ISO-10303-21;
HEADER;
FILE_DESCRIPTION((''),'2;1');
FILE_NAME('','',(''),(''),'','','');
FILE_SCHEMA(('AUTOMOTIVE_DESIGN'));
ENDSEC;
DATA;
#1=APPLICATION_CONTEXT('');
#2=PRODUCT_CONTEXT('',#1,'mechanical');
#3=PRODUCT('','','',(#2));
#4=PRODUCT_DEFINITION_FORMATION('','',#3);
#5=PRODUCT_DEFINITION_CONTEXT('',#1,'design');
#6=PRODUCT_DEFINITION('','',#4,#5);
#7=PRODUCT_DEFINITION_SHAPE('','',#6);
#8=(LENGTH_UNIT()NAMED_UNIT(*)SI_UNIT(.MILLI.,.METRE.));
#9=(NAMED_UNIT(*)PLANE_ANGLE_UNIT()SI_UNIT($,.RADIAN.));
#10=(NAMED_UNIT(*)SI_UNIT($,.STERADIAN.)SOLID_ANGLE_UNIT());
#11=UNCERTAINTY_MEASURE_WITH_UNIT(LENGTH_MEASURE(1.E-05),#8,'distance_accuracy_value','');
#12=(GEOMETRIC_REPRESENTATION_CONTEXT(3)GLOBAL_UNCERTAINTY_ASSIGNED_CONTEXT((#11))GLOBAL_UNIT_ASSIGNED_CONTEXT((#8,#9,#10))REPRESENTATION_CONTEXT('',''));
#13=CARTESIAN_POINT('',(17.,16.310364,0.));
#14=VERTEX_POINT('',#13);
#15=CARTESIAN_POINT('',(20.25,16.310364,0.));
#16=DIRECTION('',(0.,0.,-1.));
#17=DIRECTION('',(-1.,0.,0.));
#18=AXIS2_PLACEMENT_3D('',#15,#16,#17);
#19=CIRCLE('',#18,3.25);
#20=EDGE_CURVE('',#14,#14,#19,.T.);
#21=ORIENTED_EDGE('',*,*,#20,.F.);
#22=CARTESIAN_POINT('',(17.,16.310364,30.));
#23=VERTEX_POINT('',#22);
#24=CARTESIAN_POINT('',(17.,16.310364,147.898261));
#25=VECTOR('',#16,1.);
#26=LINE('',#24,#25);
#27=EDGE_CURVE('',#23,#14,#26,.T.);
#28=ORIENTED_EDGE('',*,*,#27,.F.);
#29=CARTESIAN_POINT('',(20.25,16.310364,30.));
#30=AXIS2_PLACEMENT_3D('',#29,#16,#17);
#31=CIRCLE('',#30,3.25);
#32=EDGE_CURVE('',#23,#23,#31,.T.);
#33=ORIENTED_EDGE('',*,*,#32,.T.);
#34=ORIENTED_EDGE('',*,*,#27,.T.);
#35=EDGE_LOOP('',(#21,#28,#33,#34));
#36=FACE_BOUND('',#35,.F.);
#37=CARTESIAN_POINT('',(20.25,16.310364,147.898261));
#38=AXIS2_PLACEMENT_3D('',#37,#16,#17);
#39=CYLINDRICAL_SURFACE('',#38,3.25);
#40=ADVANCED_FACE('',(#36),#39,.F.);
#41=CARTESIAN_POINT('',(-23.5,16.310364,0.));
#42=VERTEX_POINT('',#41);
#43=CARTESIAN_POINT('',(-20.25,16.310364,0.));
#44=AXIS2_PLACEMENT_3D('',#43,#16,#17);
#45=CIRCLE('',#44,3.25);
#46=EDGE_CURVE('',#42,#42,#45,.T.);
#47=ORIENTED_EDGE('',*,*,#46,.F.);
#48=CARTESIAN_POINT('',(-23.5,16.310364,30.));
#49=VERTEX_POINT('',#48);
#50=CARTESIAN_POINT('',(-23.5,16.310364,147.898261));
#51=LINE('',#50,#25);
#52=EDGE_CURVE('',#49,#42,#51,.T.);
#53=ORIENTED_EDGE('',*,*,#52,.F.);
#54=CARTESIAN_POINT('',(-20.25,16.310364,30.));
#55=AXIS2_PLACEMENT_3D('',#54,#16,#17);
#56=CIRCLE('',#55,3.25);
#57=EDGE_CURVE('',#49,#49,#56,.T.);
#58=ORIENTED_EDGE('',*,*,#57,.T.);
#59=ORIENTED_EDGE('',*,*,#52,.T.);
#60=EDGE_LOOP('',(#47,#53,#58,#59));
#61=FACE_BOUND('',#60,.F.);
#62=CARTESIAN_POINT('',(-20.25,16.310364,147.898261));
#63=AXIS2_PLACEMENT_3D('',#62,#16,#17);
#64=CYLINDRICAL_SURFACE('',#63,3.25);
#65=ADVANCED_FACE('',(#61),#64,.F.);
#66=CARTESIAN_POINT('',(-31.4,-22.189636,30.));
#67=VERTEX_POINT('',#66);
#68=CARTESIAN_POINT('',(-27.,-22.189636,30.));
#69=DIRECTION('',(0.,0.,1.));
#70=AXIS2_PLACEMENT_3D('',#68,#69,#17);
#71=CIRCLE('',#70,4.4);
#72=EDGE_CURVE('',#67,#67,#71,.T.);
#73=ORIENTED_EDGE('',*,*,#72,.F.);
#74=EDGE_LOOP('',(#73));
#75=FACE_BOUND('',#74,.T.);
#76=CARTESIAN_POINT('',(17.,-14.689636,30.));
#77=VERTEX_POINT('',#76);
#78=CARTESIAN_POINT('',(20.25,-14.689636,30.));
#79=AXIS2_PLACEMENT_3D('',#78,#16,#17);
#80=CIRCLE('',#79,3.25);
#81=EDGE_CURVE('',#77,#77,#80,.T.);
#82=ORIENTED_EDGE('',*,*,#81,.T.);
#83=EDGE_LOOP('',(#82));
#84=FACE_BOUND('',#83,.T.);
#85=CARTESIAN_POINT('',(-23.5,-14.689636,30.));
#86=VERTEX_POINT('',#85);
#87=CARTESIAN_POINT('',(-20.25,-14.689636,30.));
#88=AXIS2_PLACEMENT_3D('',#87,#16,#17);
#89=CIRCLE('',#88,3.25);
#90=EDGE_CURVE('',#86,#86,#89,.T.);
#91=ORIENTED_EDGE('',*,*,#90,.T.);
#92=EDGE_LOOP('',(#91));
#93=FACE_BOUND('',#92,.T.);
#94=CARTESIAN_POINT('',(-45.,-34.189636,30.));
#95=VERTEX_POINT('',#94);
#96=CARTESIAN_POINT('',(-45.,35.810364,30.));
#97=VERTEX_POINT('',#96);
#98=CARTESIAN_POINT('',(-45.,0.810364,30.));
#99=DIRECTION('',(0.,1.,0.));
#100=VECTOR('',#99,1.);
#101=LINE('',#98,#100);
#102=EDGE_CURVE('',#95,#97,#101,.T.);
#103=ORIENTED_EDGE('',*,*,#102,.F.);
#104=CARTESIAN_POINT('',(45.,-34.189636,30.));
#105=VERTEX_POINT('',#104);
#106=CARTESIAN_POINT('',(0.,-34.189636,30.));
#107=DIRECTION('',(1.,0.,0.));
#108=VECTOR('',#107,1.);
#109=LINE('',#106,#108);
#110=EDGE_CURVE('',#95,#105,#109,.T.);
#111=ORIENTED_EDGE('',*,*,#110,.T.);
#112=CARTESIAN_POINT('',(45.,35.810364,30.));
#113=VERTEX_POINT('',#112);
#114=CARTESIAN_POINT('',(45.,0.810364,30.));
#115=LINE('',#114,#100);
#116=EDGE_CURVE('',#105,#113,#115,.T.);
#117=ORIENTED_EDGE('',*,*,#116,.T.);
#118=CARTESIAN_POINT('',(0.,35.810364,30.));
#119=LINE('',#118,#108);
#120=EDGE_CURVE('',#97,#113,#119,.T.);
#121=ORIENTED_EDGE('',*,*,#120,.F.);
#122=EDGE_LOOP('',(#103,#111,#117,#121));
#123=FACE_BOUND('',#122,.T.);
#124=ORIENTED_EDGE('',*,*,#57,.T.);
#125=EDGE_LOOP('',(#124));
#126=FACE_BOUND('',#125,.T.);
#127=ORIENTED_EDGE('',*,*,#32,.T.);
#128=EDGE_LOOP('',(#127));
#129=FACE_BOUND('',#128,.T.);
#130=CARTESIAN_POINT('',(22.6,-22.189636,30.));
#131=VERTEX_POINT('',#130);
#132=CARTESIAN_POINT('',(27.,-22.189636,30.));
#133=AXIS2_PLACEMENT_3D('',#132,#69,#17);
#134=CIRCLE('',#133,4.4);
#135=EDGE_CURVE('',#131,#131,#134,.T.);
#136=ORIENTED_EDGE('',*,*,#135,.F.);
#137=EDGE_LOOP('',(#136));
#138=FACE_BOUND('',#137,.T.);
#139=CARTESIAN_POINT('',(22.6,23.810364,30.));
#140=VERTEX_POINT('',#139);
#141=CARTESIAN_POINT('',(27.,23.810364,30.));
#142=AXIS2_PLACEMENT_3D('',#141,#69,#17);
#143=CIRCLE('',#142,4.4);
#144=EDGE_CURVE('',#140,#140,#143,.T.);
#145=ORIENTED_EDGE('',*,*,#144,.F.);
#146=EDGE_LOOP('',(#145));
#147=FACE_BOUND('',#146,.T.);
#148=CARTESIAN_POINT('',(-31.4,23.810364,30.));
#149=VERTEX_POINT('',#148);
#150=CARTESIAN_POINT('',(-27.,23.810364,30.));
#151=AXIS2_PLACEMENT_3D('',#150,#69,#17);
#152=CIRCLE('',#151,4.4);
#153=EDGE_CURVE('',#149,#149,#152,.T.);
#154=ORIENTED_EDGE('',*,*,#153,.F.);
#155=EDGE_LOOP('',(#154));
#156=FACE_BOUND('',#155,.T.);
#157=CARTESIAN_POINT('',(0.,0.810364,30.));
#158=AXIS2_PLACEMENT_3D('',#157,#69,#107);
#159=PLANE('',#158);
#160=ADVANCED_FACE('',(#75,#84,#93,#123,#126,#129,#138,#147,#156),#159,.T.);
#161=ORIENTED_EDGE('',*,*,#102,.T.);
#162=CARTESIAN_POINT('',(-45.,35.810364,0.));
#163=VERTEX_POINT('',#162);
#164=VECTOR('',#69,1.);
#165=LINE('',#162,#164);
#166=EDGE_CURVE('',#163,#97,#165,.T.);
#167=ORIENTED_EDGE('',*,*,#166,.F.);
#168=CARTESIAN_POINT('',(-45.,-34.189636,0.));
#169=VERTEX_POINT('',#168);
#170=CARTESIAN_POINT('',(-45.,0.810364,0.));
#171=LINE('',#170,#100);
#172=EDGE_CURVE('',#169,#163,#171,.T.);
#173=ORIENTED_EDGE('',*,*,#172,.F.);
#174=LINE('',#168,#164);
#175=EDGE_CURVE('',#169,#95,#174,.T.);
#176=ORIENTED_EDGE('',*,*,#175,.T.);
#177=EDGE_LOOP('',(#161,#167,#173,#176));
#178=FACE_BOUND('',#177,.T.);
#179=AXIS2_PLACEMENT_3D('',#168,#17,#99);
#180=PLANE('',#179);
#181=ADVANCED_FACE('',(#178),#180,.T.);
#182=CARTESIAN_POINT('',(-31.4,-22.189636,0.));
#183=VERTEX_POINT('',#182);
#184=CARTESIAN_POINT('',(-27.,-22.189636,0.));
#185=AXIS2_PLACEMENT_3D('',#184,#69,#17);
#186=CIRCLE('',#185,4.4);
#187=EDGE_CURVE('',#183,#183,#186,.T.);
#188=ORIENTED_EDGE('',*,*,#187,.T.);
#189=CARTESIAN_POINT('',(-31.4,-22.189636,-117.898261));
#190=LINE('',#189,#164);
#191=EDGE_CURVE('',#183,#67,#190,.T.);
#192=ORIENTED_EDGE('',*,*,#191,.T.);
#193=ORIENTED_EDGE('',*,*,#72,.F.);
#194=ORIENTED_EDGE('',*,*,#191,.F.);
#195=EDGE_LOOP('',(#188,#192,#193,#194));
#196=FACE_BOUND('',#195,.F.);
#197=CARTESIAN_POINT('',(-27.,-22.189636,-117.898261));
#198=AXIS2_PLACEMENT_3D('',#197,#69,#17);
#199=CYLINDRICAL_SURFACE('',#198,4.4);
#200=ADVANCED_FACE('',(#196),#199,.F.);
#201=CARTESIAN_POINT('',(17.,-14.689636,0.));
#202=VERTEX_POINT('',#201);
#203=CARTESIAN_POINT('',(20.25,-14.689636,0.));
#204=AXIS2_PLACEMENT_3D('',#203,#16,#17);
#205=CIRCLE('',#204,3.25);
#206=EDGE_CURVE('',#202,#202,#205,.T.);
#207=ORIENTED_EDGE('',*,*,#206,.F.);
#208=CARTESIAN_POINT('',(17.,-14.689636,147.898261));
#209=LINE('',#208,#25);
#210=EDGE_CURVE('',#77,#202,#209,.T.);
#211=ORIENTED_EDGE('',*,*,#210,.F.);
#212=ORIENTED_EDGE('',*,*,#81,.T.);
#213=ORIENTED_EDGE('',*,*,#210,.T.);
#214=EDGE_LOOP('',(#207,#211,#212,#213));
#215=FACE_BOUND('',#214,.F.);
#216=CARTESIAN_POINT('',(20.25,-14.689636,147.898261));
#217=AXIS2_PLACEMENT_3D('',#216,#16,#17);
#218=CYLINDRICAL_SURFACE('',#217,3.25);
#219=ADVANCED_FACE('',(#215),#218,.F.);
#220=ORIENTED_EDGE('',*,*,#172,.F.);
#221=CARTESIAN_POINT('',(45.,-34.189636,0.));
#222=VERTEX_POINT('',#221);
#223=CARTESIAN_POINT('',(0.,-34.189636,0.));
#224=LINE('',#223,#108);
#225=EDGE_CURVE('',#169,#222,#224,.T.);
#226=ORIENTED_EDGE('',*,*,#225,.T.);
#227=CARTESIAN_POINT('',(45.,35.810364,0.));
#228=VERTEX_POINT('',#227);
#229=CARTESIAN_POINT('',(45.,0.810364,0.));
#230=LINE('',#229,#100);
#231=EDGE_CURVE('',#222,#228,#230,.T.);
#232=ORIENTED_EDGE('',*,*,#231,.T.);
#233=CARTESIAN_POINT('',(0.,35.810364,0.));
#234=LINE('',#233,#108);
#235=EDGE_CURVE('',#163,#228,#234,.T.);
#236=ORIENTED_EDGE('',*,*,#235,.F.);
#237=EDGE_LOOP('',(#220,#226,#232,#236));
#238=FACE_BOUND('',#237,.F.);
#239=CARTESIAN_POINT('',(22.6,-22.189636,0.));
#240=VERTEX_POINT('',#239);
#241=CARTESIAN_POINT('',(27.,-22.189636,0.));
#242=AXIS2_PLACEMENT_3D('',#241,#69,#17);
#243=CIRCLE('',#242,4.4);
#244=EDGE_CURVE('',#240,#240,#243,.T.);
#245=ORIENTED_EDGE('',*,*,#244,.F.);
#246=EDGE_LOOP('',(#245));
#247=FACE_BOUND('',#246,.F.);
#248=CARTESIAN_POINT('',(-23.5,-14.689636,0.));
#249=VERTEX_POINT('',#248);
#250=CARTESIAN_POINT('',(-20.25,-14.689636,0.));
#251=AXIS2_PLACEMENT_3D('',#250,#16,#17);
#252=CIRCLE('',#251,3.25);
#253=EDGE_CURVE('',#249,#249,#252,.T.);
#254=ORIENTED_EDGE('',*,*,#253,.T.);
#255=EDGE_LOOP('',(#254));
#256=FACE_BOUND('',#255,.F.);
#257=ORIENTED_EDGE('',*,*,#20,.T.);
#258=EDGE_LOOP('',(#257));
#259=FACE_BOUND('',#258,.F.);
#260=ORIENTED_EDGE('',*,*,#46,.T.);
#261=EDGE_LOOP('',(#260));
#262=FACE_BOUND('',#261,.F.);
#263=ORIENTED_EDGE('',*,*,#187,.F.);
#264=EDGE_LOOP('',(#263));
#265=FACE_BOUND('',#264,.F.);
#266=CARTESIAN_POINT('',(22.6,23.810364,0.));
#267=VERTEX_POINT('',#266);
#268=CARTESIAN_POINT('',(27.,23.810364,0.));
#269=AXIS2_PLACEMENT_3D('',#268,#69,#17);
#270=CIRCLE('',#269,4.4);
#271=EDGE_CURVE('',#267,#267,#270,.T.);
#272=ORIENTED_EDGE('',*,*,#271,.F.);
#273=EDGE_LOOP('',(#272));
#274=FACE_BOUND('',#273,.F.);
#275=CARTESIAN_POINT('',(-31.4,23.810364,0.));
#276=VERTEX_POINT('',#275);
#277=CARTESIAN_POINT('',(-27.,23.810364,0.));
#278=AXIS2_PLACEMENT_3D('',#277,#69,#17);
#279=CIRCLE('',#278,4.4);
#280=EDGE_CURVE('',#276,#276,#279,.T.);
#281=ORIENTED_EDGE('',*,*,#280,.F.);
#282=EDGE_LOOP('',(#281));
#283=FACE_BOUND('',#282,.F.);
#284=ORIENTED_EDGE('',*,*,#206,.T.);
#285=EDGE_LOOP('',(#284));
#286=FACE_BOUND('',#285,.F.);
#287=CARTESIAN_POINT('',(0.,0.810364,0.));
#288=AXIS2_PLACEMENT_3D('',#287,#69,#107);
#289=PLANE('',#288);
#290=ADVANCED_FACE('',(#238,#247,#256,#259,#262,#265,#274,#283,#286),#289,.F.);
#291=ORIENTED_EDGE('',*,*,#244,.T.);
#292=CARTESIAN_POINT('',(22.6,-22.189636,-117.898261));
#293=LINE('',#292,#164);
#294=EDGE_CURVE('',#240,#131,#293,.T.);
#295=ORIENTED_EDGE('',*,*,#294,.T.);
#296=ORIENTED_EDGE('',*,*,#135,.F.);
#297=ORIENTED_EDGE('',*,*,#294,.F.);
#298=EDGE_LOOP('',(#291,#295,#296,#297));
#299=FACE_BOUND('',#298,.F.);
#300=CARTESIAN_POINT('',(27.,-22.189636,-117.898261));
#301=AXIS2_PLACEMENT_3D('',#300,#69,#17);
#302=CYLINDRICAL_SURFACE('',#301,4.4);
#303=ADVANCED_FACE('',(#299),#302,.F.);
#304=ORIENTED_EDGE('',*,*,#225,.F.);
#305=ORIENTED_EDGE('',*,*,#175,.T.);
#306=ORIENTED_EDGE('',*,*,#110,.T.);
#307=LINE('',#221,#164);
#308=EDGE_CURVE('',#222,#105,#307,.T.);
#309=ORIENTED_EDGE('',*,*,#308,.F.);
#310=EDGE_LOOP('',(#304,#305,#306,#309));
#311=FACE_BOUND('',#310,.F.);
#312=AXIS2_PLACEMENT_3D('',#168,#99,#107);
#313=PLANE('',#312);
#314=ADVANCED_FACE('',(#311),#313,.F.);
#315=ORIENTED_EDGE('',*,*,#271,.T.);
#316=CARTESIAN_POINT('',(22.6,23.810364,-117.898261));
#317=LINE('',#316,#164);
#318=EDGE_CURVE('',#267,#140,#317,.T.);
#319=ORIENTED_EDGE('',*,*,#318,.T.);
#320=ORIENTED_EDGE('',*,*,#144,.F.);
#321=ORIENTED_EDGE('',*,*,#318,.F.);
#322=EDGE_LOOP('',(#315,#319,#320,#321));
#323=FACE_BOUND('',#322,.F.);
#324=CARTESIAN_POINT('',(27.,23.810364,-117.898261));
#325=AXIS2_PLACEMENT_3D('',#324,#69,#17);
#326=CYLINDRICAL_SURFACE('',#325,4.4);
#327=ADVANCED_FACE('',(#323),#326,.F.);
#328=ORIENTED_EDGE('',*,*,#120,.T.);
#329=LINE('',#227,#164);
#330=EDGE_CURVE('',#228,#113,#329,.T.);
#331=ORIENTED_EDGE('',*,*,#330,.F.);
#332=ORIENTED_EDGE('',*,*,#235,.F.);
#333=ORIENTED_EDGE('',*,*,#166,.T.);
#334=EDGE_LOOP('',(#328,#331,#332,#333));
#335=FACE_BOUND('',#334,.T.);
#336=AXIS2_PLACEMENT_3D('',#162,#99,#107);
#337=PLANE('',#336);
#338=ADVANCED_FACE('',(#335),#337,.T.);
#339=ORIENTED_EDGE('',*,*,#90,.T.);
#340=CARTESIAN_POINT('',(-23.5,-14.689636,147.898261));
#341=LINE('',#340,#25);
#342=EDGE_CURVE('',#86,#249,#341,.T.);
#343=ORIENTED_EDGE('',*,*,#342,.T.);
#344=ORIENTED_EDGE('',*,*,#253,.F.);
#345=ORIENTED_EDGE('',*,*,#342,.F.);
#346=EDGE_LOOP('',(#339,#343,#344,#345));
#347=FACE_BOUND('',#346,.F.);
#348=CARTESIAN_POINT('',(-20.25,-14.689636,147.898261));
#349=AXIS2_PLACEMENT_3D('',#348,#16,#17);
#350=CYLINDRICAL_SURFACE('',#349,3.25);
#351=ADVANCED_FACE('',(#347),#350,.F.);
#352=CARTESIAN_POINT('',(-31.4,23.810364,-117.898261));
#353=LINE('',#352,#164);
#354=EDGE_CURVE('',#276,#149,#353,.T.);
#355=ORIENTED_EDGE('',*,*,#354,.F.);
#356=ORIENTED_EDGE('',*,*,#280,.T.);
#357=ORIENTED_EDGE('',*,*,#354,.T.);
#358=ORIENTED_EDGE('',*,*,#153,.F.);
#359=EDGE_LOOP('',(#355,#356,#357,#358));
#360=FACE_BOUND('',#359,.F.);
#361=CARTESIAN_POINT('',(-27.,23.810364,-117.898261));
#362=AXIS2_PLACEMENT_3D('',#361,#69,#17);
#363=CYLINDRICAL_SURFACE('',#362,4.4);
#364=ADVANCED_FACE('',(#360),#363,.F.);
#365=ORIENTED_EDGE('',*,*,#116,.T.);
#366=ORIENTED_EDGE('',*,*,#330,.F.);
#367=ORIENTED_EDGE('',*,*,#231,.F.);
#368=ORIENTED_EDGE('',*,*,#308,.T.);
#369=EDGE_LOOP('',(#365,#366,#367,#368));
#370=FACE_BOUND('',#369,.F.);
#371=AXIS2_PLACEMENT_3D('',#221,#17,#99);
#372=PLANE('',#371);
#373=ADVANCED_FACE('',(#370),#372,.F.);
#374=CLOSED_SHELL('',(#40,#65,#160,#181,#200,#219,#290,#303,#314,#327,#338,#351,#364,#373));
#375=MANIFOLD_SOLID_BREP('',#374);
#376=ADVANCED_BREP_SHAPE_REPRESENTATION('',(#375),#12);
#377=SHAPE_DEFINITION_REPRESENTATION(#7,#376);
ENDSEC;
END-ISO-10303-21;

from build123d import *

# Parameters (mm, degrees)
F0_W     = 90
F0_H     = 70
F1_DEPTH = 30
F2_D     = 8.8
F4_D     = 6.5


with BuildPart() as f1:
    # F0 (on Top) → F1 (new body)
    with BuildSketch(Plane.XY):
        with Locations((0, 0.8103642613)):
            Rectangle(F0_W, F0_H)
    extrude(amount=F1_DEPTH)

    # F2 (through all)
    with Locations(Plane(origin=(0, 0, 0), x_dir=(1, 0, 0), z_dir=(0, 0, -1))):
        with Locations((-27, -23.8103642613), (-27, 22.1896357387), (27, 22.1896357387), (27, -23.8103642613)):
            Hole(F2_D / 2)

    # F4 (through all)
    with Locations(Plane.XY.offset(30)):
        with Locations((-20.25, 16.3103642613), (-20.25, -14.6896357387), (20.25, -14.6896357387), (20.25, 16.3103642613)):
            Hole(F4_D / 2)


solid = f1.part
